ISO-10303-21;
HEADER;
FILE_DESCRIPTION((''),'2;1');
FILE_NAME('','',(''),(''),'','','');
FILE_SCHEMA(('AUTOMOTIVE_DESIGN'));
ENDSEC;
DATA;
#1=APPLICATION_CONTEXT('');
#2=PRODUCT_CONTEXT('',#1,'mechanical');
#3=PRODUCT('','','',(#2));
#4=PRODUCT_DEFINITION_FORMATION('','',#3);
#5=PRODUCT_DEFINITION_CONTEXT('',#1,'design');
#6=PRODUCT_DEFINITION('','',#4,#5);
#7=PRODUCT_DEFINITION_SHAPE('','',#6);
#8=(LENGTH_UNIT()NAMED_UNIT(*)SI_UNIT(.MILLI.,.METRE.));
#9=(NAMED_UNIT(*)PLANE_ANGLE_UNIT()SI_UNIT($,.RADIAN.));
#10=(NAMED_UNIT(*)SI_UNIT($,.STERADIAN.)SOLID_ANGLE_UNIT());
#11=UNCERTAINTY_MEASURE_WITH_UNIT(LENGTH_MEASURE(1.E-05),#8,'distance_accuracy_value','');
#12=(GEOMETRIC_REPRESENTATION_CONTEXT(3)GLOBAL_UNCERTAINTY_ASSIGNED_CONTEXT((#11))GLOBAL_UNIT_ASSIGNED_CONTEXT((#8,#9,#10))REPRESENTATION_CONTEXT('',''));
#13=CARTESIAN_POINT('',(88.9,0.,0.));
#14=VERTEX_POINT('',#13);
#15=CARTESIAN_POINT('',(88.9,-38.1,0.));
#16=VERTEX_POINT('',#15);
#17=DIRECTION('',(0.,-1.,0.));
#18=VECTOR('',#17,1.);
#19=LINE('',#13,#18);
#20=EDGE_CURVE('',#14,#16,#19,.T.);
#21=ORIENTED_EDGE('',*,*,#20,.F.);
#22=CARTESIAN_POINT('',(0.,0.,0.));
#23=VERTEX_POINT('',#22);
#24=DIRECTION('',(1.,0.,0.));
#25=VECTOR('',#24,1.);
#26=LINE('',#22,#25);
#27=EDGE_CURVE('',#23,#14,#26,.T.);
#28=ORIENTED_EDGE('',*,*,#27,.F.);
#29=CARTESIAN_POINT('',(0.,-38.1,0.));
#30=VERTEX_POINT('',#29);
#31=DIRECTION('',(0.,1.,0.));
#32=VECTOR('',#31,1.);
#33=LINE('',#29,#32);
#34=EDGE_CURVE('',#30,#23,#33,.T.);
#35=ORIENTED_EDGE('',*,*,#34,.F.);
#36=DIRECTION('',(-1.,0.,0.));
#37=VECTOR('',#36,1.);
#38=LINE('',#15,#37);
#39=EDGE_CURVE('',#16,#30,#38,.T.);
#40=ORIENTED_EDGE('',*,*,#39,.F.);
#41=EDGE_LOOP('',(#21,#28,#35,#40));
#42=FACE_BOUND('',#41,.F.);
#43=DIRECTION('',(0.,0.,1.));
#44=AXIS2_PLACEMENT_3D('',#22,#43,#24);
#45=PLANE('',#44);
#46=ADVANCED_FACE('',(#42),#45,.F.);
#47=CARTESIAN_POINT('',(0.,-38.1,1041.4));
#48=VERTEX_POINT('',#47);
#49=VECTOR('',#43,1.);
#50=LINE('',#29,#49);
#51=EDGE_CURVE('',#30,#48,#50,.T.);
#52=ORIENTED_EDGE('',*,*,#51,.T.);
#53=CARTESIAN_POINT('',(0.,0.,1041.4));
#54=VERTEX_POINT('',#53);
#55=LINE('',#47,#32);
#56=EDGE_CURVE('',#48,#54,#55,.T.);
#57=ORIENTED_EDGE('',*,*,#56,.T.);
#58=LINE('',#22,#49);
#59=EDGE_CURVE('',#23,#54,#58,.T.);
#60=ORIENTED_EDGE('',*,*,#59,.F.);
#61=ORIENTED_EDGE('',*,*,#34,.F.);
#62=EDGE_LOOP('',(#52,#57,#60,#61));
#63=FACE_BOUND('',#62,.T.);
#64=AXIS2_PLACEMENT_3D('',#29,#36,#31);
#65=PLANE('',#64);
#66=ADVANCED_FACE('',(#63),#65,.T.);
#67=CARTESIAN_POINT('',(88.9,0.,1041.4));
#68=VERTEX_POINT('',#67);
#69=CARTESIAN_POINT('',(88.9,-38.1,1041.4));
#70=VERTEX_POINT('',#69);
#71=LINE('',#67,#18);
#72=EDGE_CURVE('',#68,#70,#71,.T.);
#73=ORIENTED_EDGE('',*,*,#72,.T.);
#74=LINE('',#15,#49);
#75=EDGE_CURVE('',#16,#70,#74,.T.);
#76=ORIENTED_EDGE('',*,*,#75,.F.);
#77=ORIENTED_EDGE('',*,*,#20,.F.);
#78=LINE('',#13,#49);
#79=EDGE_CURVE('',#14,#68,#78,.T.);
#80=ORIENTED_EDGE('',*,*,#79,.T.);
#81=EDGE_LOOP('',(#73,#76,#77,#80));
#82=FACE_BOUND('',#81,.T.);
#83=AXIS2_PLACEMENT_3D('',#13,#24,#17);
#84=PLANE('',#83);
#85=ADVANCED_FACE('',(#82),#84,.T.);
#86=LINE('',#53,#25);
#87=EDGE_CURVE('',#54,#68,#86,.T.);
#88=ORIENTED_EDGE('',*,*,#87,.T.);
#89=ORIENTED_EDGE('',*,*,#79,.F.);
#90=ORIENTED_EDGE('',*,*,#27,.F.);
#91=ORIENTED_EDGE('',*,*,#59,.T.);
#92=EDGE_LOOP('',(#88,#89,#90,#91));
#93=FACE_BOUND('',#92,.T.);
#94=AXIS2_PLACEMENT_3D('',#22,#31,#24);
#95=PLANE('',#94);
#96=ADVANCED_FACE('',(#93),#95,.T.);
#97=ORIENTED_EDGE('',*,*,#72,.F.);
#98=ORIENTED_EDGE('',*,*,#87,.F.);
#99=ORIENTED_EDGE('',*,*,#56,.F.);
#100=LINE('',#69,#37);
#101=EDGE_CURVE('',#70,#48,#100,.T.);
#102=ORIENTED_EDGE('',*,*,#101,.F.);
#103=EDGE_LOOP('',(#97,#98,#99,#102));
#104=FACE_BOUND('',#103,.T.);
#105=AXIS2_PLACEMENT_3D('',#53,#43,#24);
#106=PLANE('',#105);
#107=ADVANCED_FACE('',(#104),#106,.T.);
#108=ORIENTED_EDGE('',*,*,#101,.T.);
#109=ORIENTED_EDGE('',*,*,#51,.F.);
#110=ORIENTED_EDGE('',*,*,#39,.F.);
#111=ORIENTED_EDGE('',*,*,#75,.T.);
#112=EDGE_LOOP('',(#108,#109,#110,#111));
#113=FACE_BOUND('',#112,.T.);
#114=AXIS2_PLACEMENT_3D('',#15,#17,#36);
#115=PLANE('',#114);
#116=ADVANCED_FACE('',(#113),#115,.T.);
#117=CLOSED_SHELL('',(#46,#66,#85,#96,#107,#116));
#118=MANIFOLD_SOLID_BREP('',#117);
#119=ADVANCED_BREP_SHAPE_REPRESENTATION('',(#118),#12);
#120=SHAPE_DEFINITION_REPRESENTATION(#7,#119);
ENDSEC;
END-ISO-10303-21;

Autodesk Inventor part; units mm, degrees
ref_plane "YZ Plane" through (0, 0, 0) normal (1, 0, 0) x (0, 1, 0)
ref_plane "XZ Plane" through (0, 0, 0) normal (0, 1, 0) x (-1, 0, 0)
ref_plane "Work Plane1" through (0, 0, 0) normal (0, 0, 1) x (1, 0, 0)
sketch "Sketch1" plane through (0, 0, 0) normal (0, 0, 1) x (1, 0, 0)
  line L0 (0, 0) -> (88.9, 0)
  line L1 (88.9, 0) -> (88.9, -38.1)
  line L2 (88.9, -38.1) -> (0, -38.1)
  line L3 (0, -38.1) -> (0, 0)
  dimension "d0" = 38.1
  dimension "d1" = 88.9
extrude "Extrusion1" add sketch "Sketch1" along normal blind 1041.4
properties part number "3'5x2x4"
